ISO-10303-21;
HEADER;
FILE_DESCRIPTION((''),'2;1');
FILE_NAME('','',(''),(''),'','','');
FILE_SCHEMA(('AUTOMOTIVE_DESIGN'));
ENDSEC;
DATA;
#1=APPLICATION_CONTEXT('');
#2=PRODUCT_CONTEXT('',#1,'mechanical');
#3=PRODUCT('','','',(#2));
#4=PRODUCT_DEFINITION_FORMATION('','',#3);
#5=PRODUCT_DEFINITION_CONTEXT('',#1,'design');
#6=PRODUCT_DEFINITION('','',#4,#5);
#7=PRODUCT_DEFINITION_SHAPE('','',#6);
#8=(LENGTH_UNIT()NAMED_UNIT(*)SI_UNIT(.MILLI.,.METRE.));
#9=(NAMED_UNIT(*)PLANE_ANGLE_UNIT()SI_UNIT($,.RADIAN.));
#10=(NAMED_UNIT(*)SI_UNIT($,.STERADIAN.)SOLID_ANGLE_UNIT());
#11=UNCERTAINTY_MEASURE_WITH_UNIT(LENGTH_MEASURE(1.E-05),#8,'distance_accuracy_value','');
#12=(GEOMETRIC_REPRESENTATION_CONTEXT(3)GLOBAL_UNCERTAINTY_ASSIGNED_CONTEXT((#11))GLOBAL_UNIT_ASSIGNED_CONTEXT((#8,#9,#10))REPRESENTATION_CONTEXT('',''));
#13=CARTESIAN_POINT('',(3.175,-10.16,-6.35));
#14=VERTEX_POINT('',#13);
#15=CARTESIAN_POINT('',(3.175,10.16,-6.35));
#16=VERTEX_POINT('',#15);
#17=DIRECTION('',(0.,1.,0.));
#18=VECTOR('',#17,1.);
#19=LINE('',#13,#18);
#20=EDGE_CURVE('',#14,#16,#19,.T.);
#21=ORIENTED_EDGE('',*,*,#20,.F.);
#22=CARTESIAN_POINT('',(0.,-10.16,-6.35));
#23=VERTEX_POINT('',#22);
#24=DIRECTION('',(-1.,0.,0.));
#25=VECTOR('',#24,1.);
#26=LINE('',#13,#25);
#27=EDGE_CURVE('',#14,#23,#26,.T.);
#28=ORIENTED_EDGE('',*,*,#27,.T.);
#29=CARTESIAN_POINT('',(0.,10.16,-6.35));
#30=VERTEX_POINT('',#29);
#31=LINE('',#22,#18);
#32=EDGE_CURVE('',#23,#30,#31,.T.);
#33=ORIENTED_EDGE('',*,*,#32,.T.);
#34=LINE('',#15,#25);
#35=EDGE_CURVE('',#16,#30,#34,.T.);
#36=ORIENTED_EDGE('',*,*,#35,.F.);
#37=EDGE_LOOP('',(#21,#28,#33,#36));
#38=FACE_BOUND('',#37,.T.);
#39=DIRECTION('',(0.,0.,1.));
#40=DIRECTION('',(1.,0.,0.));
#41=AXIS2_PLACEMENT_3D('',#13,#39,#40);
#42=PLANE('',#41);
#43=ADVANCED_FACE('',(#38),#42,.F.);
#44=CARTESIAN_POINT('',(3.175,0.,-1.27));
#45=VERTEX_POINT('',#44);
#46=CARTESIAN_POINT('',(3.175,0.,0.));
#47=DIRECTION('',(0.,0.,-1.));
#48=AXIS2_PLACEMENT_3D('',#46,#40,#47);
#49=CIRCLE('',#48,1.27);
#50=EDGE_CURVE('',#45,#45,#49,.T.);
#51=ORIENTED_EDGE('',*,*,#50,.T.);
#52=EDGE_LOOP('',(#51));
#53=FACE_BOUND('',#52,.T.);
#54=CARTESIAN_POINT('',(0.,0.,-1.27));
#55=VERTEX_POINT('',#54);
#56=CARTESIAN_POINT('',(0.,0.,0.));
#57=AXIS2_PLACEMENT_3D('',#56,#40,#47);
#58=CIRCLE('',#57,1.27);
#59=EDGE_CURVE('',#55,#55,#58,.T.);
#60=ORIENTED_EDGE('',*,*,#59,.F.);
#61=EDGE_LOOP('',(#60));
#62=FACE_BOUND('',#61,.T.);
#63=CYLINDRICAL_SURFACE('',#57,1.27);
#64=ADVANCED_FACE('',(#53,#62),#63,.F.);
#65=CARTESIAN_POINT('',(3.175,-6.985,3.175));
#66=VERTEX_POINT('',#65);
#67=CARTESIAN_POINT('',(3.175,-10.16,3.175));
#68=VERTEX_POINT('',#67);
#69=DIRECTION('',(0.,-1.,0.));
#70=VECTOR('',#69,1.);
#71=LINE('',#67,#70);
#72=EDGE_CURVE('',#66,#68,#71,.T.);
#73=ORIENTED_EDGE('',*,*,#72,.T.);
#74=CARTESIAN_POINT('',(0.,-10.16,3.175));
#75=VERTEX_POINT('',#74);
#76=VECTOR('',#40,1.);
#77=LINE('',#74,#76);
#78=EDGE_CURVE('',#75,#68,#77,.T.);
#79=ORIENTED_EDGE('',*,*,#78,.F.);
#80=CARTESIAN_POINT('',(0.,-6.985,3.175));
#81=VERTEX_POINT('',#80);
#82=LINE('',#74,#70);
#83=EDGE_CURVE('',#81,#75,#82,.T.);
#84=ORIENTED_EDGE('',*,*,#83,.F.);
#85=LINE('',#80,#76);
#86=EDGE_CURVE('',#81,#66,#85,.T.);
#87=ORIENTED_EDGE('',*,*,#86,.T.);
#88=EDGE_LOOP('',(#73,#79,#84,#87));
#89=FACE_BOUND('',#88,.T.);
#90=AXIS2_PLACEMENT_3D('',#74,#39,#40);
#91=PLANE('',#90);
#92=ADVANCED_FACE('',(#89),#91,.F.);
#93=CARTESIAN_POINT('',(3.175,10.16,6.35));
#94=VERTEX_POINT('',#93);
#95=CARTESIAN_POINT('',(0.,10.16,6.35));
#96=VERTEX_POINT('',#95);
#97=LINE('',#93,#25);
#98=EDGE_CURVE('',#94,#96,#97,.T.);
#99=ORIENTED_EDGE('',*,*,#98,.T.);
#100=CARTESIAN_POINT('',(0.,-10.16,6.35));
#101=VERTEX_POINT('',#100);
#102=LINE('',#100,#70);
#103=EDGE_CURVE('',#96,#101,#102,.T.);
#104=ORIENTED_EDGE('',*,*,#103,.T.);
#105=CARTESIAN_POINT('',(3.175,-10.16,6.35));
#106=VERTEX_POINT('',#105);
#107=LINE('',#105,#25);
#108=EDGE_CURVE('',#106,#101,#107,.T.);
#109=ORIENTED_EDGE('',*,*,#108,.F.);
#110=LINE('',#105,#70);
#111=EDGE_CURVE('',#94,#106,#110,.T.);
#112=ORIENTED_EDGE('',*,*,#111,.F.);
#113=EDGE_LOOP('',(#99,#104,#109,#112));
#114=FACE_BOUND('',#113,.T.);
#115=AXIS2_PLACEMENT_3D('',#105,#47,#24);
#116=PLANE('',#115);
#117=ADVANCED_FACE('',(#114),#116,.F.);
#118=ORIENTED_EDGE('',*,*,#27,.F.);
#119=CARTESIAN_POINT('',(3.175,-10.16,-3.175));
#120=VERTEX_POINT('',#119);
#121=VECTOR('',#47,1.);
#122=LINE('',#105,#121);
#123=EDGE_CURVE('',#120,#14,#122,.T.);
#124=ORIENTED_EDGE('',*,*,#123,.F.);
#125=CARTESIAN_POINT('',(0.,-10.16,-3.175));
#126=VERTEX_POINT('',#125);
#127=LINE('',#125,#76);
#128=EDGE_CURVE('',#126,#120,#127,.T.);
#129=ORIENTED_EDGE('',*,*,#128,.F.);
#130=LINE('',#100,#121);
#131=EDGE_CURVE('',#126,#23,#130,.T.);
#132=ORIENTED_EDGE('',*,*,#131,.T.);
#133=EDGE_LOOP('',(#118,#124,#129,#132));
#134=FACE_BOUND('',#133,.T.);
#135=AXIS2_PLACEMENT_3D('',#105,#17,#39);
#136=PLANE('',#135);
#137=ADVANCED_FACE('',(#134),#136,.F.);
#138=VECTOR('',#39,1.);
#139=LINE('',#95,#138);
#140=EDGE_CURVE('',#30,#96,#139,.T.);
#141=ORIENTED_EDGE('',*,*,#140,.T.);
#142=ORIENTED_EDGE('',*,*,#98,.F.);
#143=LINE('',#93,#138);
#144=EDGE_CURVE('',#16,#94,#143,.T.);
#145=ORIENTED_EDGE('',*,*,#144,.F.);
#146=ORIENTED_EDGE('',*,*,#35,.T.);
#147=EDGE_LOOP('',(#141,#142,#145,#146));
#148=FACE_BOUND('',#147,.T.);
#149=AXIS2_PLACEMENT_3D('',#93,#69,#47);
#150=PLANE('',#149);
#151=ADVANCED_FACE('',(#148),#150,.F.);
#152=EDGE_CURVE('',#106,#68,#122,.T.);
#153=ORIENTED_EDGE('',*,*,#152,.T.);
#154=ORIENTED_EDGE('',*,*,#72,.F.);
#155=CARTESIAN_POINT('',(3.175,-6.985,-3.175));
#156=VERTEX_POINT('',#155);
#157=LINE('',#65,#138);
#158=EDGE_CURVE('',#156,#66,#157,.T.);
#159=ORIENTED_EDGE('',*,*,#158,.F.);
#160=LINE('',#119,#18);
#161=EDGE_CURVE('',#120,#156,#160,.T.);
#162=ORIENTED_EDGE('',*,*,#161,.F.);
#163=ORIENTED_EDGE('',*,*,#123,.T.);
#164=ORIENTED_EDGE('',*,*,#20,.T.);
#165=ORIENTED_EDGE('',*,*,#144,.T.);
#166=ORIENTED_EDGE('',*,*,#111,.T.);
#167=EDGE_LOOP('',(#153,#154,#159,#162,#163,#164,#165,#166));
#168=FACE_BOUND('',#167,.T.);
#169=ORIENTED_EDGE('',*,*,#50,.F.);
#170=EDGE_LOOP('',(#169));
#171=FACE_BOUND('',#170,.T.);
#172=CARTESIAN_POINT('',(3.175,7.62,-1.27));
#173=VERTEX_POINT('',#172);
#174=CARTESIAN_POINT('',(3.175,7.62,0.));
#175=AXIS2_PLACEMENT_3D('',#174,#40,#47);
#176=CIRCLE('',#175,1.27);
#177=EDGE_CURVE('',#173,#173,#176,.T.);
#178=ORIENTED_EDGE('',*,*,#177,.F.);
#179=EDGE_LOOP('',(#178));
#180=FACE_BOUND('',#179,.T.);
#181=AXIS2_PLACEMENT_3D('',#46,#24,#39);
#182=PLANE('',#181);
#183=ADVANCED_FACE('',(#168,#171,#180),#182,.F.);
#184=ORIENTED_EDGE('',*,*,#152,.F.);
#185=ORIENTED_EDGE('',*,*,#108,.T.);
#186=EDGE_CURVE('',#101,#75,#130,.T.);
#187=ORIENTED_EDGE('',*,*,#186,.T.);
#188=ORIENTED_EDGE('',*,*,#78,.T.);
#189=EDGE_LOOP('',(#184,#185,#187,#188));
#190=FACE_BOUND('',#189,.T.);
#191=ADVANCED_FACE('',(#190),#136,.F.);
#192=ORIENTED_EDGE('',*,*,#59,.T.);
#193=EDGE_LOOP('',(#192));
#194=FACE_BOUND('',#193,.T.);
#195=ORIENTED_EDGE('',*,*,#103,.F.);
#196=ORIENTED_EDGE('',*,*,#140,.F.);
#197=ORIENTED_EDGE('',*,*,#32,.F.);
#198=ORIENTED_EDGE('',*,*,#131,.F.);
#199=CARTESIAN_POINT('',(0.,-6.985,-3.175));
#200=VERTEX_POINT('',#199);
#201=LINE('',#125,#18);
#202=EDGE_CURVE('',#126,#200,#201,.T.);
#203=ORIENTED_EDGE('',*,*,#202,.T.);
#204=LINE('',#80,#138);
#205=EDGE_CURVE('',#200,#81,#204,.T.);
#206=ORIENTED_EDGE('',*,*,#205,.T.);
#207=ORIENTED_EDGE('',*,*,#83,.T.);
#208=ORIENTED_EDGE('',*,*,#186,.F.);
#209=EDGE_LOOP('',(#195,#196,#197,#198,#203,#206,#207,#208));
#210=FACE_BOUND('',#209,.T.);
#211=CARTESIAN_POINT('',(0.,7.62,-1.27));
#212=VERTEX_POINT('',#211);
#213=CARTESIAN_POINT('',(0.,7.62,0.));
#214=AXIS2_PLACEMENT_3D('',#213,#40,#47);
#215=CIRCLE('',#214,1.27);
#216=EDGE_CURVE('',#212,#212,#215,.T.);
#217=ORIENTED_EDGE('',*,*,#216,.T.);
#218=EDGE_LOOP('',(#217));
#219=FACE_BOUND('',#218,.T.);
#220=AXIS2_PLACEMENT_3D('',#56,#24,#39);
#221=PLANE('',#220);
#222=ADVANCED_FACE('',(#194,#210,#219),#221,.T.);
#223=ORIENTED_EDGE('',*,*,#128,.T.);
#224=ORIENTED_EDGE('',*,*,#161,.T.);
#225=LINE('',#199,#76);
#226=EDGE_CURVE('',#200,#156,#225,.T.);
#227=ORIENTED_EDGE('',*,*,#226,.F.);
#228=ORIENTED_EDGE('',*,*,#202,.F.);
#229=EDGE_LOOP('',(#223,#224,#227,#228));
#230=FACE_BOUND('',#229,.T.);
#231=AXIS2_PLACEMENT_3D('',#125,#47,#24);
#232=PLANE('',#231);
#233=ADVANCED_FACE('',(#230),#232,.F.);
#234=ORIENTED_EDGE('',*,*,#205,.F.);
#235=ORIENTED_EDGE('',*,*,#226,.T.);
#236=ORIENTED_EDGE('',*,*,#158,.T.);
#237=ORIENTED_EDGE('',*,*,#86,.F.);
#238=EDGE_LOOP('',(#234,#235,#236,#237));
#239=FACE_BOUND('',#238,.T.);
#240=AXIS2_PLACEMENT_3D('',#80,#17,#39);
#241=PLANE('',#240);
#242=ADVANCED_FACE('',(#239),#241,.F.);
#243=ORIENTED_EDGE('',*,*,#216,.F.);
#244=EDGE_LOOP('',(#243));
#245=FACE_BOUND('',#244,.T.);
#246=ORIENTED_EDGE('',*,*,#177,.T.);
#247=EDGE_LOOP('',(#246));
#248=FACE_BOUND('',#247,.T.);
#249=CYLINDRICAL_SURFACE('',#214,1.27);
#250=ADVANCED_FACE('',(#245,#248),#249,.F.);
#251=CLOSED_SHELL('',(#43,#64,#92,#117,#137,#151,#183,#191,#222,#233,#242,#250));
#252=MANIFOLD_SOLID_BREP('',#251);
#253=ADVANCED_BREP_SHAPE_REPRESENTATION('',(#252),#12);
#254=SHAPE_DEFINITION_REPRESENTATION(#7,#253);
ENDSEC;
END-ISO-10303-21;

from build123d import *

# Parameters (mm, degrees)
SKETCH1_W           = 12.7
SKETCH1_H           = 20.32
BOSS_EXTRUDE1_DEPTH = 3.175
SKETCH2_W           = 6.35
SKETCH2_H           = 3.175
CUT_EXTRUDE1_DEPTH  = 4.175
SKETCH3_R           = 1.27
CUT_EXTRUDE2_DEPTH  = 4.175


with BuildPart() as part:
    # Sketch1 → Boss-Extrude1 (new body)
    with BuildSketch(Plane(origin=(0, 0, 0), x_dir=(0, 0, -1), z_dir=(1, 0, 0))):
        Rectangle(SKETCH1_W, SKETCH1_H)
    extrude(amount=BOSS_EXTRUDE1_DEPTH)

    # Sketch2 → Cut-Extrude1 (cut, through all)
    with BuildSketch(Plane(origin=(3.175, 0, 0), x_dir=(0, 0, -1), z_dir=(1, 0, 0))):
        with Locations((0, -8.5725)):
            Rectangle(SKETCH2_W, SKETCH2_H)
    extrude(amount=-CUT_EXTRUDE1_DEPTH, mode=Mode.SUBTRACT)

    # Sketch3 → Cut-Extrude2 (cut, through all)
    with BuildSketch(Plane(origin=(3.175, 0, 0), x_dir=(0, 0, -1), z_dir=(1, 0, 0))):
        Circle(SKETCH3_R)
        with Locations((0, 7.62)):
            Circle(SKETCH3_R)
    extrude(amount=-CUT_EXTRUDE2_DEPTH, mode=Mode.SUBTRACT)


solid = part.part
